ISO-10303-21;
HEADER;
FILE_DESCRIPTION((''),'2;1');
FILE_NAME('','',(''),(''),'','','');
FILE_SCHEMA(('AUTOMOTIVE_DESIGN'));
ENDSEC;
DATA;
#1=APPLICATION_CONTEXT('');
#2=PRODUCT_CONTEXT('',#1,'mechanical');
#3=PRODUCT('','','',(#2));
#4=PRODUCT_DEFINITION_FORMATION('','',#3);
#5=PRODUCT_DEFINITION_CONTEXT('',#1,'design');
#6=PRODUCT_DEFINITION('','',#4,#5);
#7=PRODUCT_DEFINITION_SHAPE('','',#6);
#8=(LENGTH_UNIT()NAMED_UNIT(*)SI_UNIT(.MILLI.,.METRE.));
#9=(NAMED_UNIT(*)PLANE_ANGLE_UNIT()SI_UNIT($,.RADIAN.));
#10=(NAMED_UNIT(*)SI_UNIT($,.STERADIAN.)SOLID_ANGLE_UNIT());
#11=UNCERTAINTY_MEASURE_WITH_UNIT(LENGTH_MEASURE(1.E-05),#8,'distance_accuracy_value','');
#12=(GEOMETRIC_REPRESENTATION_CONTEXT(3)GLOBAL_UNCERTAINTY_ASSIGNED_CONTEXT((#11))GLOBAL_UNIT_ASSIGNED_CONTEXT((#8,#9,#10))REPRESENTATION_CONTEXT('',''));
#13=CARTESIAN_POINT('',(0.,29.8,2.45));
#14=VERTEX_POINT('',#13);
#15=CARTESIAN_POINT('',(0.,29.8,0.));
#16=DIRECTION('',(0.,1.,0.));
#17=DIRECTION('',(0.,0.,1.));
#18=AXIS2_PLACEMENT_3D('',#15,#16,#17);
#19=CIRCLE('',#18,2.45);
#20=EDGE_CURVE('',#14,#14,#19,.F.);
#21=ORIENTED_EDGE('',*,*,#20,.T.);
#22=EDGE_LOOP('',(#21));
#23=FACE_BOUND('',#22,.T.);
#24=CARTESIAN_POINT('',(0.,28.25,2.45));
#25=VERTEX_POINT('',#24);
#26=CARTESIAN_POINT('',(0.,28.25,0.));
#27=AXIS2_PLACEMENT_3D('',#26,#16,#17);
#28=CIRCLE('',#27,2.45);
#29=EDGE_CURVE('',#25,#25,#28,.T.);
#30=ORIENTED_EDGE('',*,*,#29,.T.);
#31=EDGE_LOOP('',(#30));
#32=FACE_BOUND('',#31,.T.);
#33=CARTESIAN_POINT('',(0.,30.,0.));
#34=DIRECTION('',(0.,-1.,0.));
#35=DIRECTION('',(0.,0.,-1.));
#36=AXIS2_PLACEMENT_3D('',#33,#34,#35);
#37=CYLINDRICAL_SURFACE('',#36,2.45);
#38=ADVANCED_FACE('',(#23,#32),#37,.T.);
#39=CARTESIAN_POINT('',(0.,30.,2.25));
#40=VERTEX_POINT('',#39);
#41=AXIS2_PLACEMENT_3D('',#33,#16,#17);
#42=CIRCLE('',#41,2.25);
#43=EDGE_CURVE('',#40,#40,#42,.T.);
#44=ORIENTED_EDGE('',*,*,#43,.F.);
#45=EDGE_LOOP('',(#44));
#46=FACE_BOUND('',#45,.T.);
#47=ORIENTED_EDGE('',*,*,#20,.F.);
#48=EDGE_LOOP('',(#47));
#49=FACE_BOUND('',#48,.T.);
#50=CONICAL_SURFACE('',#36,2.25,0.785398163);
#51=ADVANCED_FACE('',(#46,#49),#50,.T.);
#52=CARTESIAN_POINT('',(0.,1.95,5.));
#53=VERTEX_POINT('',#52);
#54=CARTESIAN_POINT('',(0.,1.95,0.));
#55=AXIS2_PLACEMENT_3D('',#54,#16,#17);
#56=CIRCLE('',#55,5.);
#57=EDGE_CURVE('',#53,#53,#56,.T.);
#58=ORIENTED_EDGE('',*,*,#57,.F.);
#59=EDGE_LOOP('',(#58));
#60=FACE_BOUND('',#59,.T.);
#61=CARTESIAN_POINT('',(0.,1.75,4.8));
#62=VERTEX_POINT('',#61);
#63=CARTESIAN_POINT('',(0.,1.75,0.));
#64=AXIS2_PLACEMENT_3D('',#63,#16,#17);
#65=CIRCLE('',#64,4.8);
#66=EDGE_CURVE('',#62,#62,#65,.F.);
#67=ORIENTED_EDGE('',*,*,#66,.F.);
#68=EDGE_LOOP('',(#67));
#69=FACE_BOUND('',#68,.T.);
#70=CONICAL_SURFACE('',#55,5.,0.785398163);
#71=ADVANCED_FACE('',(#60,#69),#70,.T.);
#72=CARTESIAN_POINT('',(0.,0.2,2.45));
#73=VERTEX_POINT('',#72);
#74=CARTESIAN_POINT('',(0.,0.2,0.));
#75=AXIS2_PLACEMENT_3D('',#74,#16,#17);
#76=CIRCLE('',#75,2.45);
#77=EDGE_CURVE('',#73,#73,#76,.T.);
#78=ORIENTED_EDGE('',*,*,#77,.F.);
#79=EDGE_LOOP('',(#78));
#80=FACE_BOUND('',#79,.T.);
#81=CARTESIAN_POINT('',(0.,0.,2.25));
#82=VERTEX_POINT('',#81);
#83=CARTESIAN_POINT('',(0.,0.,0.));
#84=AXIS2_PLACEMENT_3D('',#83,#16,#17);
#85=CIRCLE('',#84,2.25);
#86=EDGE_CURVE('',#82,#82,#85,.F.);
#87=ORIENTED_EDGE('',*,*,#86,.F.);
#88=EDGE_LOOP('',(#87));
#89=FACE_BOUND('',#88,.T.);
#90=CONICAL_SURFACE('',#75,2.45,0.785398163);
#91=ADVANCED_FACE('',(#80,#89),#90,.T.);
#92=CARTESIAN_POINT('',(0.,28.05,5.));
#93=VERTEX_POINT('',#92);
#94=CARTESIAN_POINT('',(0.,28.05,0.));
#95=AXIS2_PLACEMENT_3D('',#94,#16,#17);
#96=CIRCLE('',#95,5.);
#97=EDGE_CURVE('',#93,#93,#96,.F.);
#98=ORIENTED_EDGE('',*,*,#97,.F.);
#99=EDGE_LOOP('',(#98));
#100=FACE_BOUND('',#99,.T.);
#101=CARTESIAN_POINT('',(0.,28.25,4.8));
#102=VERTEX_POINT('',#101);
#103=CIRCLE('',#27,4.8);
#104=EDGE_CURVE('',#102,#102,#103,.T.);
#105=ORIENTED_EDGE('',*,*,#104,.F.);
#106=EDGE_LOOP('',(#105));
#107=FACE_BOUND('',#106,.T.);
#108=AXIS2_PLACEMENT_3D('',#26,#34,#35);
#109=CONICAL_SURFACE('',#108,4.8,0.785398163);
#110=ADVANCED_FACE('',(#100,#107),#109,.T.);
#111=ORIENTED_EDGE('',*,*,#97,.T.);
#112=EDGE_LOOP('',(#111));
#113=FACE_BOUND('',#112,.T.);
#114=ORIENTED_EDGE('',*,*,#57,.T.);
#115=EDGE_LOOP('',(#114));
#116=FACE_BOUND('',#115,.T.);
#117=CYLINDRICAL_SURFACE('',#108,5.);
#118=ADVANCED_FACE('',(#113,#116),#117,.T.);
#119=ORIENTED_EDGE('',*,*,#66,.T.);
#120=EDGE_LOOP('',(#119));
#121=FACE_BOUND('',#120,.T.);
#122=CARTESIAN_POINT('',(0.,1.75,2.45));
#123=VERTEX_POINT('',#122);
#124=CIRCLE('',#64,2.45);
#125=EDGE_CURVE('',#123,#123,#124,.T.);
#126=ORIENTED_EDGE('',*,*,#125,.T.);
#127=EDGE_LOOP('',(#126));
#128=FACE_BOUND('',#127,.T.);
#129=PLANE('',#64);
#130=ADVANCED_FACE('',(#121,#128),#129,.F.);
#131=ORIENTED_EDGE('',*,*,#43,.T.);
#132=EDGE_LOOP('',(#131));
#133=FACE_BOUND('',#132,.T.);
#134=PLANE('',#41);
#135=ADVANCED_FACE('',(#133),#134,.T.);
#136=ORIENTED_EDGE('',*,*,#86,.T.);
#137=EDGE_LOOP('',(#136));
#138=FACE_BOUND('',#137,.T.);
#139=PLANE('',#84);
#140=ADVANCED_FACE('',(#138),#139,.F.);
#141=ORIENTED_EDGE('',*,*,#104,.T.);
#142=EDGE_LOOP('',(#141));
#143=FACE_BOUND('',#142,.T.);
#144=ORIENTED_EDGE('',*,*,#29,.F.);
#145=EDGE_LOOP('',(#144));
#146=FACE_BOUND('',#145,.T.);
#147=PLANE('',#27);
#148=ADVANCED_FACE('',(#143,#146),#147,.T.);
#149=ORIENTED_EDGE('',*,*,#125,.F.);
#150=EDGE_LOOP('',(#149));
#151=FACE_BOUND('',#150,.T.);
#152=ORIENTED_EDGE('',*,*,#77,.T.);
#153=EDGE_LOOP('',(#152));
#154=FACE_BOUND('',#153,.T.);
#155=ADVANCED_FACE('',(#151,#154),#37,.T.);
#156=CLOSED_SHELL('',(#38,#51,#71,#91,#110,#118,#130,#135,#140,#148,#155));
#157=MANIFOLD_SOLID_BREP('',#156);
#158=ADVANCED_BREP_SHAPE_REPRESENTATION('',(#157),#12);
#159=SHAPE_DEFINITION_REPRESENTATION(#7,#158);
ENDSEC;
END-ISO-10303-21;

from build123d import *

# Parameters (mm, degrees)
SKETCH1_R           = 2.45
BOSS_EXTRUDE1_DEPTH = 30
CHAMFER1_SIZE       = 0.2
SKETCH2_R           = 5
BOSS_EXTRUDE2_DEPTH = 13.25
CHAMFER2_SIZE       = 0.2


with BuildPart() as part:
    # Sketch1 → Boss-Extrude1 (new body)
    with BuildSketch(Plane(origin=(0, 0, 0), x_dir=(1, 0, 0), z_dir=(0, 1, 0))):
        with Locations(Location((0, 0, 0), (0, 0, 270))):
            Circle(SKETCH1_R)
    extrude(amount=BOSS_EXTRUDE1_DEPTH)

    # Chamfer1
    chamfer1_edges = [part.edges().sort_by_distance(p)[0] for p in [
        (0, 0, -2.45),
        (0, 30, -2.45),
    ]]
    chamfer(chamfer1_edges, length=CHAMFER1_SIZE)

    # Sketch2 → Boss-Extrude2 (add, symmetric)
    with BuildSketch(Plane(origin=(0, 15, 0), x_dir=(1, 0, 0), z_dir=(0, 1, 0))):
        with Locations(Location((0, 0, 0), (0, 0, 270))):
            Circle(SKETCH2_R)
    extrude(amount=BOSS_EXTRUDE2_DEPTH, both=True)

    # Chamfer2
    chamfer2_edges = [part.edges().sort_by_distance(p)[0] for p in [
        (0, 1.75, -5),
        (0, 28.25, -5),
    ]]
    chamfer(chamfer2_edges, length=CHAMFER2_SIZE)


solid = part.part
